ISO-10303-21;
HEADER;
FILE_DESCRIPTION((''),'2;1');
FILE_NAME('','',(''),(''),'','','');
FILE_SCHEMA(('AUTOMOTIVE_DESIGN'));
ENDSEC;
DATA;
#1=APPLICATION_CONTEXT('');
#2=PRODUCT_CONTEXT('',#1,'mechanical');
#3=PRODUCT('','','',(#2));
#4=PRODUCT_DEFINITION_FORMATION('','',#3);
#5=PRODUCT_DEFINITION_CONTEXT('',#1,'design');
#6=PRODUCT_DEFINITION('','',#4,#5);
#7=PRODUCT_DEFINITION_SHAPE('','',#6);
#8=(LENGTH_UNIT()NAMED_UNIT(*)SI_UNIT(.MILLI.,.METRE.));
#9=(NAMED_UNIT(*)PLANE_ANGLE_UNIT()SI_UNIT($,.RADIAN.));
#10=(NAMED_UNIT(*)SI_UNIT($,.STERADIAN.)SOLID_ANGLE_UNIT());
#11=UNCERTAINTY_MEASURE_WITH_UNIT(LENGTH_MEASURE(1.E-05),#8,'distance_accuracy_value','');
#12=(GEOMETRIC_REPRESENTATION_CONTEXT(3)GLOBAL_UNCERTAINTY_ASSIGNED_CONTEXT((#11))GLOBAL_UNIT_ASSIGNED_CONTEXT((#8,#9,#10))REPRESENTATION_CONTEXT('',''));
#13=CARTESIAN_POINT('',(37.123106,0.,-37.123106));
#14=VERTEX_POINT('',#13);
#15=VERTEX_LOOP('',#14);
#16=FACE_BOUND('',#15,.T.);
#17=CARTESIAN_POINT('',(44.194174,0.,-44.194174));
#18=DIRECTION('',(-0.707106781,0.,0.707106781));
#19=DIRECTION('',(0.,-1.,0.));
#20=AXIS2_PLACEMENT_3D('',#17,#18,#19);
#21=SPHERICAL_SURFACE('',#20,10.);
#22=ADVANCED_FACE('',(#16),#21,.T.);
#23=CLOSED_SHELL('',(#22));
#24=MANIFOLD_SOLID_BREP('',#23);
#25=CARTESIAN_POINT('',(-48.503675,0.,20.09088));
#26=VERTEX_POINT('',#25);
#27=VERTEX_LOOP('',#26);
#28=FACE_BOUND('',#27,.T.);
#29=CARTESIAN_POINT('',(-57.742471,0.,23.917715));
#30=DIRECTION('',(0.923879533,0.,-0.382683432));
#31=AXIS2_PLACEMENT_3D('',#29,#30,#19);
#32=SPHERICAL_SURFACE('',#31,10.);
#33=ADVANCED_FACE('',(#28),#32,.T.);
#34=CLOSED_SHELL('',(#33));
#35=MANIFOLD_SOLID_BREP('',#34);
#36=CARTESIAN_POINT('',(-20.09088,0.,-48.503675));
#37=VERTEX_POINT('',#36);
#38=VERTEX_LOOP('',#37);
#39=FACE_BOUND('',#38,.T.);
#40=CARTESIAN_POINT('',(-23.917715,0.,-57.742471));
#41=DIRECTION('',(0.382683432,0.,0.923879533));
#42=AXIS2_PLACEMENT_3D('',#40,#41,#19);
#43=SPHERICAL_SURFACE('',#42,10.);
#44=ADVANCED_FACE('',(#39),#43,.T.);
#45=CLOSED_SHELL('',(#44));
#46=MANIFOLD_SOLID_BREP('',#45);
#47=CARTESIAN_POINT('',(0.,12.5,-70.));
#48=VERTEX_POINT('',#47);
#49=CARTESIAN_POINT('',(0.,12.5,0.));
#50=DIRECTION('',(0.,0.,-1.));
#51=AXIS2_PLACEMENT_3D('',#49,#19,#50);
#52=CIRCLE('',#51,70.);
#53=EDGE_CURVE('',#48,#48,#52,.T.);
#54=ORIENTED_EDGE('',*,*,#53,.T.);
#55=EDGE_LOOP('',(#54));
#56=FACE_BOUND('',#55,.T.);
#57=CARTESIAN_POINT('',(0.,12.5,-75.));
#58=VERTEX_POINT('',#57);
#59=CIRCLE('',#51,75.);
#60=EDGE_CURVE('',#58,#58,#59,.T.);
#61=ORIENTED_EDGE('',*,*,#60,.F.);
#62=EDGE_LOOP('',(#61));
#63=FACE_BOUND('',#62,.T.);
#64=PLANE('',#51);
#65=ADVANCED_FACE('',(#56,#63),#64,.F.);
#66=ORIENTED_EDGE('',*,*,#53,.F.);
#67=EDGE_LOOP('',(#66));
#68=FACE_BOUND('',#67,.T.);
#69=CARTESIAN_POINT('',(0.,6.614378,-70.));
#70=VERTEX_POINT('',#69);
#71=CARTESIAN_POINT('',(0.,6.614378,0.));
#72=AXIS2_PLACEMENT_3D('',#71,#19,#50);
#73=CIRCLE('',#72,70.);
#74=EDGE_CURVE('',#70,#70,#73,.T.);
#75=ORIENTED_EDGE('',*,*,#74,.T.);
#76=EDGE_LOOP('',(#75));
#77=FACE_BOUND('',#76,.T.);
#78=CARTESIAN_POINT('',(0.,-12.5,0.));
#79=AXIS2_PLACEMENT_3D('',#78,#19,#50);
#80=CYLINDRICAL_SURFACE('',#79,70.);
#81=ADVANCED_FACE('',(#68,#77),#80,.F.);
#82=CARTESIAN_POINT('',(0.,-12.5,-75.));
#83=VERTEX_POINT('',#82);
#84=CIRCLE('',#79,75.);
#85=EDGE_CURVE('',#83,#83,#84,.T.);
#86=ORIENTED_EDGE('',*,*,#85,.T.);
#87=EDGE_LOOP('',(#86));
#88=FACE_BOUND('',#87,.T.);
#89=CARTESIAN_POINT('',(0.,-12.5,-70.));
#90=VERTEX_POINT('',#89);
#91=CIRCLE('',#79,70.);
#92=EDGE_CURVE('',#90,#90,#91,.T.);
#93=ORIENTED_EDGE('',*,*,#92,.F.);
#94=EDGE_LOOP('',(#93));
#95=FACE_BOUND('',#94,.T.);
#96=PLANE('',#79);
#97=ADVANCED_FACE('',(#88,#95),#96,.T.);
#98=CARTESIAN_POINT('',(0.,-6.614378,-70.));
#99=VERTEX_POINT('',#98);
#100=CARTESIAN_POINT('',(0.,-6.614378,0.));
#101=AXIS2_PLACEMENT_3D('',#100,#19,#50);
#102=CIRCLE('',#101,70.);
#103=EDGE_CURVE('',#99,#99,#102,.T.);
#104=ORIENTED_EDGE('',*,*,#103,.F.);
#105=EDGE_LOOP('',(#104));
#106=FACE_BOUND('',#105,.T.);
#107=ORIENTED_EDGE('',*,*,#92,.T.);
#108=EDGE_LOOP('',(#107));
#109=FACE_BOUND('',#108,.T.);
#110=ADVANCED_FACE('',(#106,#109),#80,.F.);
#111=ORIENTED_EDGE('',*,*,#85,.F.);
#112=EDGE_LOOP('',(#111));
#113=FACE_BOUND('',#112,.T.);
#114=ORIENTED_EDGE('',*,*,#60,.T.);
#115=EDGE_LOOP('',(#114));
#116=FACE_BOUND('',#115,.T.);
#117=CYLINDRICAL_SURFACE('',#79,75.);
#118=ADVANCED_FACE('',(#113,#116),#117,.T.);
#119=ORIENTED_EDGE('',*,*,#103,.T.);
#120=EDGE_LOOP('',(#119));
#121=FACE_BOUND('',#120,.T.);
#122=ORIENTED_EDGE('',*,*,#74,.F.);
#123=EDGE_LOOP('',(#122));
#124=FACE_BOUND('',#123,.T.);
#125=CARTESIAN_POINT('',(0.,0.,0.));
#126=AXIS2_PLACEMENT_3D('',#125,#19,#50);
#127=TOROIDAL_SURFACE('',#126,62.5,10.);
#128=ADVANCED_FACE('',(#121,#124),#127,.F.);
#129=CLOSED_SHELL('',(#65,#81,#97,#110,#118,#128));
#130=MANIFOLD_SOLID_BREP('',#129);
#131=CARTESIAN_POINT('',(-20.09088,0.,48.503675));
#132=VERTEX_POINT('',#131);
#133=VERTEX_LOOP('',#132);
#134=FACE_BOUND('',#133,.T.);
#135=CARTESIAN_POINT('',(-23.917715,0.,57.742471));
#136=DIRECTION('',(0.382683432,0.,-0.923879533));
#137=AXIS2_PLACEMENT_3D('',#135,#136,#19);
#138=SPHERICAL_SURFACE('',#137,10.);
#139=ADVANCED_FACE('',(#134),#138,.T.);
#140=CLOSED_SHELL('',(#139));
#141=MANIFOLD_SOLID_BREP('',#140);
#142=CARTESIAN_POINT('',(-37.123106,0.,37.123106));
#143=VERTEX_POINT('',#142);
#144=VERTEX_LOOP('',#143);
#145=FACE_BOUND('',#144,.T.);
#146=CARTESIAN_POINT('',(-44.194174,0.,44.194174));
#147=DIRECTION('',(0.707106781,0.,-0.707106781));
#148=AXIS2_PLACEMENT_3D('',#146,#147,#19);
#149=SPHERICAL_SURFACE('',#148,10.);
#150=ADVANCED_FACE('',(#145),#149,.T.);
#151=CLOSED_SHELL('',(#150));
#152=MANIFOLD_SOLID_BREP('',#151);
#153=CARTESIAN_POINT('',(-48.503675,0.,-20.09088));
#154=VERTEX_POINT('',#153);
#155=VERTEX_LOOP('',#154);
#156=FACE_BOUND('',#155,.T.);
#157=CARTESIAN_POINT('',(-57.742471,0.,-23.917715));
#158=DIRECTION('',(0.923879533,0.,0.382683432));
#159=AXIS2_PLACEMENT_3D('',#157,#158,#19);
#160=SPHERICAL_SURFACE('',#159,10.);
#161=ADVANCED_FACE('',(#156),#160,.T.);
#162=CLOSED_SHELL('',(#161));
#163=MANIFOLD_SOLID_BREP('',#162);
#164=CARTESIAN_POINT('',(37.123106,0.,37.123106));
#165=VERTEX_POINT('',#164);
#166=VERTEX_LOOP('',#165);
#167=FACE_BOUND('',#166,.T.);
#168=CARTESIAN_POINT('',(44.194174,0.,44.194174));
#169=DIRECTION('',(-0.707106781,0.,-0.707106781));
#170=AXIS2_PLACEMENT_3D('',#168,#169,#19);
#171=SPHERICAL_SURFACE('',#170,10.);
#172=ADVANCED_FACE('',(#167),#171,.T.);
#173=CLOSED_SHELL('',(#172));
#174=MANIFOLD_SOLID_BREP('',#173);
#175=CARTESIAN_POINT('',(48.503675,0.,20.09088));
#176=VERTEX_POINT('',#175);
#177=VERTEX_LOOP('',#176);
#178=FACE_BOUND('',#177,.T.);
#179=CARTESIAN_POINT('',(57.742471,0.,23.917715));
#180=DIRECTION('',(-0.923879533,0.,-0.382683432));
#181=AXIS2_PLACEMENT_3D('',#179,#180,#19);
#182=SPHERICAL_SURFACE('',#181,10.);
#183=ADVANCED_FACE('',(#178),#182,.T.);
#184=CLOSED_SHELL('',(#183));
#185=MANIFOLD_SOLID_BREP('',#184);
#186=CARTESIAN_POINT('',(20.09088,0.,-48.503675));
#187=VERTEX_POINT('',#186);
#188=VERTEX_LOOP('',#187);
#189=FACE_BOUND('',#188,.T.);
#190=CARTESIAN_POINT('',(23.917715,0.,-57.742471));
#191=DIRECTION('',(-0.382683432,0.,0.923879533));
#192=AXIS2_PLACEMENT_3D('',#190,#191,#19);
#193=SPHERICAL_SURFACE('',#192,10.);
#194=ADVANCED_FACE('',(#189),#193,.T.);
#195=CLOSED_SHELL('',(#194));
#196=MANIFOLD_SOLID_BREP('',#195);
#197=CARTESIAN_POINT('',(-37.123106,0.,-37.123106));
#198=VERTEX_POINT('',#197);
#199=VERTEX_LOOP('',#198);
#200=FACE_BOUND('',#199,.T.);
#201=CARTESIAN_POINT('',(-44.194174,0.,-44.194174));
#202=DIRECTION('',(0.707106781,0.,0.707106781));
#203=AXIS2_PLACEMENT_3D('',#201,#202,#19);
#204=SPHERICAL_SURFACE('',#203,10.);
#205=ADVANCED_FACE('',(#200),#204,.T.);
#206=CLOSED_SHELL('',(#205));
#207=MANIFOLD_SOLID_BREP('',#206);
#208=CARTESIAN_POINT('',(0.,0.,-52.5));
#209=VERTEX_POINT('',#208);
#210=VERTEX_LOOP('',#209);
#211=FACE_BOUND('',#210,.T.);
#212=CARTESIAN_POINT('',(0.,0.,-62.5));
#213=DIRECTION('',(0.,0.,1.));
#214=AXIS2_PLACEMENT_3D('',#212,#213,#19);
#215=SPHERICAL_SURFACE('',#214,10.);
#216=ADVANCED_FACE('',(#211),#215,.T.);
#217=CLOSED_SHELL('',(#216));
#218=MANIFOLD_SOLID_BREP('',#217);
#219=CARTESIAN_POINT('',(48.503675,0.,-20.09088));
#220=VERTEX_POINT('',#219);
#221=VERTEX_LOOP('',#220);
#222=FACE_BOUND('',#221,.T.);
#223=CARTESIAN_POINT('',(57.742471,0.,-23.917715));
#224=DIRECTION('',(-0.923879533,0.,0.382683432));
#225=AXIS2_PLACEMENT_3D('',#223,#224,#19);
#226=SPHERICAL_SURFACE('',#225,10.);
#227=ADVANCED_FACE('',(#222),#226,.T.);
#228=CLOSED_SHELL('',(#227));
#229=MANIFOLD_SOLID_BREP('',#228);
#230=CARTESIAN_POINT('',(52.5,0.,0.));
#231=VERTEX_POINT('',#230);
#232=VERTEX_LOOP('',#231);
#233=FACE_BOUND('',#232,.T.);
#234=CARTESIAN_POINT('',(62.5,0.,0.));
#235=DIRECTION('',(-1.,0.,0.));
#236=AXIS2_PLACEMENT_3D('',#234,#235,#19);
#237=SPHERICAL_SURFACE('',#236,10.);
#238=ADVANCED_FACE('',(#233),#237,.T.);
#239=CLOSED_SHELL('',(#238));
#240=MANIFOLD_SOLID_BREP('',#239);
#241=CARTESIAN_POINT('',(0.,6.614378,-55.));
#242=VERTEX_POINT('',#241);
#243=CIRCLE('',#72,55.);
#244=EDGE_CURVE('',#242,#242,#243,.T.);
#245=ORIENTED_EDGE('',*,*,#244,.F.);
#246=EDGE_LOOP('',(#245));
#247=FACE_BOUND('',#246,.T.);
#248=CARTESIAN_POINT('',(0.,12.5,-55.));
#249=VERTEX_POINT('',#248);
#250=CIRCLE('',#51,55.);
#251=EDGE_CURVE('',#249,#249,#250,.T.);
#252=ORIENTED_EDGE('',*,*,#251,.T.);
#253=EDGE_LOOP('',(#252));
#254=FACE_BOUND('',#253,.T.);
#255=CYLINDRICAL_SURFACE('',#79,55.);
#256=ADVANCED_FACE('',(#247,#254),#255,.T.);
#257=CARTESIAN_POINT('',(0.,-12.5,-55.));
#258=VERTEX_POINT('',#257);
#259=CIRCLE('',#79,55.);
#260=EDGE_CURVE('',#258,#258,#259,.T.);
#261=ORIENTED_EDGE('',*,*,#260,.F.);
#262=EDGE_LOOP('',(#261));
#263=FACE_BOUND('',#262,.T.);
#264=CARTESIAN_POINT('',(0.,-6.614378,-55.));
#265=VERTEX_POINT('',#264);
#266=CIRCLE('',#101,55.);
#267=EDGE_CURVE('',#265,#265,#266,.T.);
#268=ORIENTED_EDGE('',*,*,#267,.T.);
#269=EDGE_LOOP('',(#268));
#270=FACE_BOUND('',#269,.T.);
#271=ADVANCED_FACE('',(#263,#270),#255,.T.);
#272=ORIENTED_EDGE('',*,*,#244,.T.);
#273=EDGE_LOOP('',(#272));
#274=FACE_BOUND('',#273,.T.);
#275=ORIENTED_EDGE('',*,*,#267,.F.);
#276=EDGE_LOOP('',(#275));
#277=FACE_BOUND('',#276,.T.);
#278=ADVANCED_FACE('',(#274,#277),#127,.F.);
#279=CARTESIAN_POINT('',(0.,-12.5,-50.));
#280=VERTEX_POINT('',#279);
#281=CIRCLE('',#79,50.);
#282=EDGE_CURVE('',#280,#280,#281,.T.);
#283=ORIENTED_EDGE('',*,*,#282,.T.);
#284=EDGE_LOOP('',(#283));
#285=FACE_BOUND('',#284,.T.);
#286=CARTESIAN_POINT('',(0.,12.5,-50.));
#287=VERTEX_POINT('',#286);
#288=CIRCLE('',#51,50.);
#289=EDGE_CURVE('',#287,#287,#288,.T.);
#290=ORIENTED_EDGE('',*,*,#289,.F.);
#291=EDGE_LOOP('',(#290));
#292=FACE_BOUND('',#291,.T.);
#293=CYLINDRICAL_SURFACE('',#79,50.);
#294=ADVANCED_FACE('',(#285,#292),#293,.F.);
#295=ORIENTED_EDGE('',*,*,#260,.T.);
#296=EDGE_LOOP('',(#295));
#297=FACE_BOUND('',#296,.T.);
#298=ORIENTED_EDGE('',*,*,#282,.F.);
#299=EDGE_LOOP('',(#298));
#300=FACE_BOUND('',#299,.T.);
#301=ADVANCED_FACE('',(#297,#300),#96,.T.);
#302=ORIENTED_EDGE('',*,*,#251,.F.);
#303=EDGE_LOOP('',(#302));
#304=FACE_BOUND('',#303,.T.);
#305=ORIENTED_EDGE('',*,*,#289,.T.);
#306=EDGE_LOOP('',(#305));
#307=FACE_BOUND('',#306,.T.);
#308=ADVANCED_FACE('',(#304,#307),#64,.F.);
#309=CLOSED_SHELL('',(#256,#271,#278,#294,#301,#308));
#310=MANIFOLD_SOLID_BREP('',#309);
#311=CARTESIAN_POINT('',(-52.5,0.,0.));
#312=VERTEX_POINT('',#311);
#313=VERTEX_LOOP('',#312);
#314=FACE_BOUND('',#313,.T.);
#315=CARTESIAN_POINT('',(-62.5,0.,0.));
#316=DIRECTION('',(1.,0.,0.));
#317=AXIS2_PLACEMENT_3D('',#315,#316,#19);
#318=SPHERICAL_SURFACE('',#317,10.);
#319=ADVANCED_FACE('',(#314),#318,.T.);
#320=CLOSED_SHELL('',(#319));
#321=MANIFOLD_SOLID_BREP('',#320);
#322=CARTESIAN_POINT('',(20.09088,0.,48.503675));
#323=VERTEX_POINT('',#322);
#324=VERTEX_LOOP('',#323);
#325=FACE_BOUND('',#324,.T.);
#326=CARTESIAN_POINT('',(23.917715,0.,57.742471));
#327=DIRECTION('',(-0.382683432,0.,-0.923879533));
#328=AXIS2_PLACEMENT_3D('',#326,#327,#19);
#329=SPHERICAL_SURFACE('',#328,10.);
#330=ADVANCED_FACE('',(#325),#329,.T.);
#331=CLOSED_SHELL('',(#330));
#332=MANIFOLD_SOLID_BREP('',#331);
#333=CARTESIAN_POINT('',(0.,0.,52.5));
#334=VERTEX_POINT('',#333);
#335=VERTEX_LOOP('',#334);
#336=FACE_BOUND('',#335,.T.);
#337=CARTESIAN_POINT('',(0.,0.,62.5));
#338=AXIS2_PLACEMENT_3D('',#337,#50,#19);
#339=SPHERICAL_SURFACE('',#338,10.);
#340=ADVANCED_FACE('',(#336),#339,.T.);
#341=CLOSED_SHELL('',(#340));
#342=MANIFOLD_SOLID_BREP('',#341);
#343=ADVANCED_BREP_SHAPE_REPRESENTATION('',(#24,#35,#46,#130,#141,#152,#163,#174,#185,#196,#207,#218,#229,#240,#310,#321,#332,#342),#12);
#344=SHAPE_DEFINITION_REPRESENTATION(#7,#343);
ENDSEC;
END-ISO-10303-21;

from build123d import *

# Parameters (mm, degrees)
CIRPATTERN2_COUNT = 16


with BuildPart() as part:
    # Sketch2 → Revolve1 (revolve)
    with BuildSketch(Plane(origin=(0, 0, 0), x_dir=(0, 0, -1), z_dir=(1, 0, 0))):
        with BuildLine():
            Line((52.5, 0), (72.5, 0))
            ThreePointArc((72.5, 0), (62.5, 10), (52.5, 0))
        make_face()
    revolve(axis=Axis((0, 0, -52.5), (0, 0, -1)))


with BuildPart() as body_2:
    # Sketch1 → Revolve2 (revolve)
    with BuildSketch(Plane(origin=(0, 0, 0), x_dir=(0, 0, -1), z_dir=(1, 0, 0))):
        with BuildLine():
            Line((70, 12.5), (70, 6.614378278))
            ThreePointArc((70, 6.614378278), (72.5, 0), (70, -6.614378278))
            Line((70, -6.614378278), (70, -12.5))
            Line((70, -12.5), (75, -12.5))
            Line((75, -12.5), (75, 12.5))
            Line((75, 12.5), (70, 12.5))
        make_face()
        with BuildLine():
            Line((50, 12.5), (50, -12.5))
            Line((50, -12.5), (55, -12.5))
            Line((55, -12.5), (55, -6.614378278))
            ThreePointArc((55, -6.614378278), (52.5, 0), (55, 6.614378278))
            Line((55, 6.614378278), (55, 12.5))
            Line((55, 12.5), (50, 12.5))
        make_face()
    revolve(axis=Axis((0, -12.5, 0), (0, 1, 0)))


with BuildPart() as cirpattern2_1:
    # CirPattern2: pattern copy
    add(part.part.rotate(Axis((0, -8.25, 0), (0, 1, 0)), 1 * 360 / CIRPATTERN2_COUNT))


with BuildPart() as cirpattern2_2:
    # CirPattern2: pattern copy
    add(part.part.rotate(Axis((0, -8.25, 0), (0, 1, 0)), 2 * 360 / CIRPATTERN2_COUNT))


with BuildPart() as cirpattern2_3:
    # CirPattern2: pattern copy
    add(part.part.rotate(Axis((0, -8.25, 0), (0, 1, 0)), 3 * 360 / CIRPATTERN2_COUNT))


with BuildPart() as cirpattern2_4:
    # CirPattern2: pattern copy
    add(part.part.rotate(Axis((0, -8.25, 0), (0, 1, 0)), 4 * 360 / CIRPATTERN2_COUNT))


with BuildPart() as cirpattern2_5:
    # CirPattern2: pattern copy
    add(part.part.rotate(Axis((0, -8.25, 0), (0, 1, 0)), 5 * 360 / CIRPATTERN2_COUNT))


with BuildPart() as cirpattern2_6:
    # CirPattern2: pattern copy
    add(part.part.rotate(Axis((0, -8.25, 0), (0, 1, 0)), 6 * 360 / CIRPATTERN2_COUNT))


with BuildPart() as cirpattern2_7:
    # CirPattern2: pattern copy
    add(part.part.rotate(Axis((0, -8.25, 0), (0, 1, 0)), 7 * 360 / CIRPATTERN2_COUNT))


with BuildPart() as cirpattern2_8:
    # CirPattern2: pattern copy
    add(part.part.rotate(Axis((0, -8.25, 0), (0, 1, 0)), 8 * 360 / CIRPATTERN2_COUNT))


with BuildPart() as cirpattern2_9:
    # CirPattern2: pattern copy
    add(part.part.rotate(Axis((0, -8.25, 0), (0, 1, 0)), 9 * 360 / CIRPATTERN2_COUNT))


with BuildPart() as cirpattern2_10:
    # CirPattern2: pattern copy
    add(part.part.rotate(Axis((0, -8.25, 0), (0, 1, 0)), 10 * 360 / CIRPATTERN2_COUNT))


with BuildPart() as cirpattern2_11:
    # CirPattern2: pattern copy
    add(part.part.rotate(Axis((0, -8.25, 0), (0, 1, 0)), 11 * 360 / CIRPATTERN2_COUNT))


with BuildPart() as cirpattern2_12:
    # CirPattern2: pattern copy
    add(part.part.rotate(Axis((0, -8.25, 0), (0, 1, 0)), 12 * 360 / CIRPATTERN2_COUNT))


with BuildPart() as cirpattern2_13:
    # CirPattern2: pattern copy
    add(part.part.rotate(Axis((0, -8.25, 0), (0, 1, 0)), 13 * 360 / CIRPATTERN2_COUNT))


with BuildPart() as cirpattern2_14:
    # CirPattern2: pattern copy
    add(part.part.rotate(Axis((0, -8.25, 0), (0, 1, 0)), 14 * 360 / CIRPATTERN2_COUNT))


with BuildPart() as cirpattern2_15:
    # CirPattern2: pattern copy
    add(part.part.rotate(Axis((0, -8.25, 0), (0, 1, 0)), 15 * 360 / CIRPATTERN2_COUNT))


solid = Compound([part.part, body_2.part, cirpattern2_1.part, cirpattern2_2.part, cirpattern2_3.part, cirpattern2_4.part, cirpattern2_5.part, cirpattern2_6.part, cirpattern2_7.part, cirpattern2_8.part, cirpattern2_9.part, cirpattern2_10.part, cirpattern2_11.part, cirpattern2_12.part, cirpattern2_13.part, cirpattern2_14.part, cirpattern2_15.part])
